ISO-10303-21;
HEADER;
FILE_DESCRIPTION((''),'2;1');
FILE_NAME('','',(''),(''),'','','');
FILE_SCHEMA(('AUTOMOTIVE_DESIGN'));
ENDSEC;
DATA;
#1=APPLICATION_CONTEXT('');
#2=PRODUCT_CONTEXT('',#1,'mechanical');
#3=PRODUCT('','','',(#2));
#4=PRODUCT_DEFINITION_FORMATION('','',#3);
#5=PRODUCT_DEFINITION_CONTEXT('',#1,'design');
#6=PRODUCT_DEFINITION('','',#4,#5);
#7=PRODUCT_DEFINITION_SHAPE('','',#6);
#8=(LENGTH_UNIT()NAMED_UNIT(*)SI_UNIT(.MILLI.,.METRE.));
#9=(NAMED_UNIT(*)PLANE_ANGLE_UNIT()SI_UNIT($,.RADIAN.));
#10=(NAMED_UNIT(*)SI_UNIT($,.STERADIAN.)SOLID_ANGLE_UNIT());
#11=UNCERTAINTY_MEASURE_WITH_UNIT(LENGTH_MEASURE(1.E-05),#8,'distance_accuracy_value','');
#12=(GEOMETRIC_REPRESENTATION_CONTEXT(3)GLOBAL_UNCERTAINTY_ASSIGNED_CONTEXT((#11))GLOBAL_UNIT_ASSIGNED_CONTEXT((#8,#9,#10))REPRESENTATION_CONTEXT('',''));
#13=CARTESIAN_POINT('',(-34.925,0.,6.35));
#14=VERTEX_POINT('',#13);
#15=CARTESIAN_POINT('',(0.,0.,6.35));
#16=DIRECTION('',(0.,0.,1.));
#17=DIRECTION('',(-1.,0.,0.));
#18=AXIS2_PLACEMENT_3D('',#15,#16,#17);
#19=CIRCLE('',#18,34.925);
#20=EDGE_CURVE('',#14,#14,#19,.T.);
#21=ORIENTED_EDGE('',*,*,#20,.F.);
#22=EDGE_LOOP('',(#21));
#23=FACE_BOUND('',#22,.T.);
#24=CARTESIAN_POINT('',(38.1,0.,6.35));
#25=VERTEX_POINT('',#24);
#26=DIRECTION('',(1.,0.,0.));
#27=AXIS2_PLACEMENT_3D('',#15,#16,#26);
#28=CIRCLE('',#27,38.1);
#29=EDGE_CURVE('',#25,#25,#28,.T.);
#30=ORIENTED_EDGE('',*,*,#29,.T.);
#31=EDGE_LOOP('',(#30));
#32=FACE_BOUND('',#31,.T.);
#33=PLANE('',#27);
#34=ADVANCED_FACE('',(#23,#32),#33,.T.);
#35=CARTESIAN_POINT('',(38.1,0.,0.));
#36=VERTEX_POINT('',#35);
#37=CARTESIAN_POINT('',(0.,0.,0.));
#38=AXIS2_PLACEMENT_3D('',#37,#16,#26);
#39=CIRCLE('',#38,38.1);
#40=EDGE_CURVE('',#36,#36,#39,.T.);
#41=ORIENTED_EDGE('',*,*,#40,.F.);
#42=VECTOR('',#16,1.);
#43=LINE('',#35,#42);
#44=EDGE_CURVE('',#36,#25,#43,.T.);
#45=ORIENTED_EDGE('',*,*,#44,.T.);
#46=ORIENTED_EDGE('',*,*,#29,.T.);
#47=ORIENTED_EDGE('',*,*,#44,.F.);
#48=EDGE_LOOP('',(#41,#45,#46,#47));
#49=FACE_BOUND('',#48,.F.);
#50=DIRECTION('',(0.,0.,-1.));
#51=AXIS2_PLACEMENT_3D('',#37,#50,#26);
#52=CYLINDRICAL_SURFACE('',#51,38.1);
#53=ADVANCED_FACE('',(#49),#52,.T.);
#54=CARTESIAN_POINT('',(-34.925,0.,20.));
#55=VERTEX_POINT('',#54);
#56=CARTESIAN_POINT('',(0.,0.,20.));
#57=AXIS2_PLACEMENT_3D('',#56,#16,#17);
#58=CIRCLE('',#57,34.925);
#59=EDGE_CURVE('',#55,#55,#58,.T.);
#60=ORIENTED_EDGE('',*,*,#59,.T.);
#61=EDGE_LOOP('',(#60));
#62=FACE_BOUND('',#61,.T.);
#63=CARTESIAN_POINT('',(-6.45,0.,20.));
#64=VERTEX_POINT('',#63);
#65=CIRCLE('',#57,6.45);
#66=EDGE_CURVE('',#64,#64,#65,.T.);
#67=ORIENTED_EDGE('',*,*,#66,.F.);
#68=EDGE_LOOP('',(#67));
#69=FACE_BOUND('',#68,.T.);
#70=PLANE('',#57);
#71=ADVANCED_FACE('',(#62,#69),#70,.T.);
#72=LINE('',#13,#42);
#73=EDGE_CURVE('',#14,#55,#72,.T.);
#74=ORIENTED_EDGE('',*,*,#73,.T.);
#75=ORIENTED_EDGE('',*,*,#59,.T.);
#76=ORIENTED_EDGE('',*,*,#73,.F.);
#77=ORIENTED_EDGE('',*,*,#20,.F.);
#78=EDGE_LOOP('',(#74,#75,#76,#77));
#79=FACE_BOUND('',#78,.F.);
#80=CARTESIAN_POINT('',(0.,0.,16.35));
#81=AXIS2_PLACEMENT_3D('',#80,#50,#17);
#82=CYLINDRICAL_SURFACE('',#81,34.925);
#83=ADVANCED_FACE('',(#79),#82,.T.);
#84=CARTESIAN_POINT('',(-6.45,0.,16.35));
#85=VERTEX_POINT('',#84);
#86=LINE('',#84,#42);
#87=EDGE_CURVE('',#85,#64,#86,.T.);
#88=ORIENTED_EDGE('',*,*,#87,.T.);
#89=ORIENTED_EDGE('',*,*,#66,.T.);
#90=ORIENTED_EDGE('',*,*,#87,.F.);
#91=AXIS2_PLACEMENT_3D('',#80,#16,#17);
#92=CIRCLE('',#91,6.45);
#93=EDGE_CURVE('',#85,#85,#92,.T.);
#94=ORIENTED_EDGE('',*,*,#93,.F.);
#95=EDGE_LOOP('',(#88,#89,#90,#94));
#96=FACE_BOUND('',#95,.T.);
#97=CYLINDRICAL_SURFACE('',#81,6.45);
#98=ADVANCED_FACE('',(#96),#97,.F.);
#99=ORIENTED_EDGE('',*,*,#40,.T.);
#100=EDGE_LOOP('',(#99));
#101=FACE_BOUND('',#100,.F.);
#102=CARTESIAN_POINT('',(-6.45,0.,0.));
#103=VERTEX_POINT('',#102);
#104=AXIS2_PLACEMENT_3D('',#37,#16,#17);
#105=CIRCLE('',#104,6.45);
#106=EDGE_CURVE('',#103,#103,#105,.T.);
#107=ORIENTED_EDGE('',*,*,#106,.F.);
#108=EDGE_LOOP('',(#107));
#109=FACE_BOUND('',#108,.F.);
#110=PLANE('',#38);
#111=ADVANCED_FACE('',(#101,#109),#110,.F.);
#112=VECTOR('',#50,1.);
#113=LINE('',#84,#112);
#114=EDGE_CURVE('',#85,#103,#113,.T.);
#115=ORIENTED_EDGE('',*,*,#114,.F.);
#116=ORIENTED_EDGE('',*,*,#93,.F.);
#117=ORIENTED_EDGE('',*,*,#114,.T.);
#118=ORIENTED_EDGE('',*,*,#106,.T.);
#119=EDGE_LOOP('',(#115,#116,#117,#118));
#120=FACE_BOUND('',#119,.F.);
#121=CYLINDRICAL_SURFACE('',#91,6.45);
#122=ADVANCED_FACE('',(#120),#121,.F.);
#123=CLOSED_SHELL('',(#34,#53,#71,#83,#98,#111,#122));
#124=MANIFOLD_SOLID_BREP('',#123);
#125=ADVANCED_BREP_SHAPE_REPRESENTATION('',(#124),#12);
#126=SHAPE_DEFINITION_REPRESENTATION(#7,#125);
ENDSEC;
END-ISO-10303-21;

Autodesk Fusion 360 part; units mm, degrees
sketch "Roller_End_Cap_Outter" plane through (0, 0, 0) normal (0, 0, 1) x (1, 0, 0)
  circle A0 centre (0, 0) radius 38.1
  dimension "d2" = 76.2
extrude "Extrude1" add sketch "Roller_End_Cap_Outter" along normal blind 6.35
sketch "Roller_End_Cap_Inner" plane through (0, 0, 6.35) normal (0, 0, 1) x (-1, 0, 0)
  circle A0 centre (0, 0) radius 38.1
  circle A1 centre (0, 0) radius 34.925
  dimension "d7" = 69.85
extrude "Extrude3" add sketch "Roller_End_Cap_Inner" along normal blind 10 contours A1
sketch "Shaft Hole" plane through (0, 0, 16.35) normal (0, 0, 1) x (-1, 0, 0)
  circle A0 centre (0, 0) radius 34.925
  circle A1 centre (0, 0) radius 6.45
  dimension "d10" = 12.9
extrude "Extrude4" cut sketch "Shaft Hole" against normal through all contours A1
extrude "Extrude5" add 1 faces at (-25.3033, 1.7351, 16.35) along direction (0, 0, 1) blind 3.65
